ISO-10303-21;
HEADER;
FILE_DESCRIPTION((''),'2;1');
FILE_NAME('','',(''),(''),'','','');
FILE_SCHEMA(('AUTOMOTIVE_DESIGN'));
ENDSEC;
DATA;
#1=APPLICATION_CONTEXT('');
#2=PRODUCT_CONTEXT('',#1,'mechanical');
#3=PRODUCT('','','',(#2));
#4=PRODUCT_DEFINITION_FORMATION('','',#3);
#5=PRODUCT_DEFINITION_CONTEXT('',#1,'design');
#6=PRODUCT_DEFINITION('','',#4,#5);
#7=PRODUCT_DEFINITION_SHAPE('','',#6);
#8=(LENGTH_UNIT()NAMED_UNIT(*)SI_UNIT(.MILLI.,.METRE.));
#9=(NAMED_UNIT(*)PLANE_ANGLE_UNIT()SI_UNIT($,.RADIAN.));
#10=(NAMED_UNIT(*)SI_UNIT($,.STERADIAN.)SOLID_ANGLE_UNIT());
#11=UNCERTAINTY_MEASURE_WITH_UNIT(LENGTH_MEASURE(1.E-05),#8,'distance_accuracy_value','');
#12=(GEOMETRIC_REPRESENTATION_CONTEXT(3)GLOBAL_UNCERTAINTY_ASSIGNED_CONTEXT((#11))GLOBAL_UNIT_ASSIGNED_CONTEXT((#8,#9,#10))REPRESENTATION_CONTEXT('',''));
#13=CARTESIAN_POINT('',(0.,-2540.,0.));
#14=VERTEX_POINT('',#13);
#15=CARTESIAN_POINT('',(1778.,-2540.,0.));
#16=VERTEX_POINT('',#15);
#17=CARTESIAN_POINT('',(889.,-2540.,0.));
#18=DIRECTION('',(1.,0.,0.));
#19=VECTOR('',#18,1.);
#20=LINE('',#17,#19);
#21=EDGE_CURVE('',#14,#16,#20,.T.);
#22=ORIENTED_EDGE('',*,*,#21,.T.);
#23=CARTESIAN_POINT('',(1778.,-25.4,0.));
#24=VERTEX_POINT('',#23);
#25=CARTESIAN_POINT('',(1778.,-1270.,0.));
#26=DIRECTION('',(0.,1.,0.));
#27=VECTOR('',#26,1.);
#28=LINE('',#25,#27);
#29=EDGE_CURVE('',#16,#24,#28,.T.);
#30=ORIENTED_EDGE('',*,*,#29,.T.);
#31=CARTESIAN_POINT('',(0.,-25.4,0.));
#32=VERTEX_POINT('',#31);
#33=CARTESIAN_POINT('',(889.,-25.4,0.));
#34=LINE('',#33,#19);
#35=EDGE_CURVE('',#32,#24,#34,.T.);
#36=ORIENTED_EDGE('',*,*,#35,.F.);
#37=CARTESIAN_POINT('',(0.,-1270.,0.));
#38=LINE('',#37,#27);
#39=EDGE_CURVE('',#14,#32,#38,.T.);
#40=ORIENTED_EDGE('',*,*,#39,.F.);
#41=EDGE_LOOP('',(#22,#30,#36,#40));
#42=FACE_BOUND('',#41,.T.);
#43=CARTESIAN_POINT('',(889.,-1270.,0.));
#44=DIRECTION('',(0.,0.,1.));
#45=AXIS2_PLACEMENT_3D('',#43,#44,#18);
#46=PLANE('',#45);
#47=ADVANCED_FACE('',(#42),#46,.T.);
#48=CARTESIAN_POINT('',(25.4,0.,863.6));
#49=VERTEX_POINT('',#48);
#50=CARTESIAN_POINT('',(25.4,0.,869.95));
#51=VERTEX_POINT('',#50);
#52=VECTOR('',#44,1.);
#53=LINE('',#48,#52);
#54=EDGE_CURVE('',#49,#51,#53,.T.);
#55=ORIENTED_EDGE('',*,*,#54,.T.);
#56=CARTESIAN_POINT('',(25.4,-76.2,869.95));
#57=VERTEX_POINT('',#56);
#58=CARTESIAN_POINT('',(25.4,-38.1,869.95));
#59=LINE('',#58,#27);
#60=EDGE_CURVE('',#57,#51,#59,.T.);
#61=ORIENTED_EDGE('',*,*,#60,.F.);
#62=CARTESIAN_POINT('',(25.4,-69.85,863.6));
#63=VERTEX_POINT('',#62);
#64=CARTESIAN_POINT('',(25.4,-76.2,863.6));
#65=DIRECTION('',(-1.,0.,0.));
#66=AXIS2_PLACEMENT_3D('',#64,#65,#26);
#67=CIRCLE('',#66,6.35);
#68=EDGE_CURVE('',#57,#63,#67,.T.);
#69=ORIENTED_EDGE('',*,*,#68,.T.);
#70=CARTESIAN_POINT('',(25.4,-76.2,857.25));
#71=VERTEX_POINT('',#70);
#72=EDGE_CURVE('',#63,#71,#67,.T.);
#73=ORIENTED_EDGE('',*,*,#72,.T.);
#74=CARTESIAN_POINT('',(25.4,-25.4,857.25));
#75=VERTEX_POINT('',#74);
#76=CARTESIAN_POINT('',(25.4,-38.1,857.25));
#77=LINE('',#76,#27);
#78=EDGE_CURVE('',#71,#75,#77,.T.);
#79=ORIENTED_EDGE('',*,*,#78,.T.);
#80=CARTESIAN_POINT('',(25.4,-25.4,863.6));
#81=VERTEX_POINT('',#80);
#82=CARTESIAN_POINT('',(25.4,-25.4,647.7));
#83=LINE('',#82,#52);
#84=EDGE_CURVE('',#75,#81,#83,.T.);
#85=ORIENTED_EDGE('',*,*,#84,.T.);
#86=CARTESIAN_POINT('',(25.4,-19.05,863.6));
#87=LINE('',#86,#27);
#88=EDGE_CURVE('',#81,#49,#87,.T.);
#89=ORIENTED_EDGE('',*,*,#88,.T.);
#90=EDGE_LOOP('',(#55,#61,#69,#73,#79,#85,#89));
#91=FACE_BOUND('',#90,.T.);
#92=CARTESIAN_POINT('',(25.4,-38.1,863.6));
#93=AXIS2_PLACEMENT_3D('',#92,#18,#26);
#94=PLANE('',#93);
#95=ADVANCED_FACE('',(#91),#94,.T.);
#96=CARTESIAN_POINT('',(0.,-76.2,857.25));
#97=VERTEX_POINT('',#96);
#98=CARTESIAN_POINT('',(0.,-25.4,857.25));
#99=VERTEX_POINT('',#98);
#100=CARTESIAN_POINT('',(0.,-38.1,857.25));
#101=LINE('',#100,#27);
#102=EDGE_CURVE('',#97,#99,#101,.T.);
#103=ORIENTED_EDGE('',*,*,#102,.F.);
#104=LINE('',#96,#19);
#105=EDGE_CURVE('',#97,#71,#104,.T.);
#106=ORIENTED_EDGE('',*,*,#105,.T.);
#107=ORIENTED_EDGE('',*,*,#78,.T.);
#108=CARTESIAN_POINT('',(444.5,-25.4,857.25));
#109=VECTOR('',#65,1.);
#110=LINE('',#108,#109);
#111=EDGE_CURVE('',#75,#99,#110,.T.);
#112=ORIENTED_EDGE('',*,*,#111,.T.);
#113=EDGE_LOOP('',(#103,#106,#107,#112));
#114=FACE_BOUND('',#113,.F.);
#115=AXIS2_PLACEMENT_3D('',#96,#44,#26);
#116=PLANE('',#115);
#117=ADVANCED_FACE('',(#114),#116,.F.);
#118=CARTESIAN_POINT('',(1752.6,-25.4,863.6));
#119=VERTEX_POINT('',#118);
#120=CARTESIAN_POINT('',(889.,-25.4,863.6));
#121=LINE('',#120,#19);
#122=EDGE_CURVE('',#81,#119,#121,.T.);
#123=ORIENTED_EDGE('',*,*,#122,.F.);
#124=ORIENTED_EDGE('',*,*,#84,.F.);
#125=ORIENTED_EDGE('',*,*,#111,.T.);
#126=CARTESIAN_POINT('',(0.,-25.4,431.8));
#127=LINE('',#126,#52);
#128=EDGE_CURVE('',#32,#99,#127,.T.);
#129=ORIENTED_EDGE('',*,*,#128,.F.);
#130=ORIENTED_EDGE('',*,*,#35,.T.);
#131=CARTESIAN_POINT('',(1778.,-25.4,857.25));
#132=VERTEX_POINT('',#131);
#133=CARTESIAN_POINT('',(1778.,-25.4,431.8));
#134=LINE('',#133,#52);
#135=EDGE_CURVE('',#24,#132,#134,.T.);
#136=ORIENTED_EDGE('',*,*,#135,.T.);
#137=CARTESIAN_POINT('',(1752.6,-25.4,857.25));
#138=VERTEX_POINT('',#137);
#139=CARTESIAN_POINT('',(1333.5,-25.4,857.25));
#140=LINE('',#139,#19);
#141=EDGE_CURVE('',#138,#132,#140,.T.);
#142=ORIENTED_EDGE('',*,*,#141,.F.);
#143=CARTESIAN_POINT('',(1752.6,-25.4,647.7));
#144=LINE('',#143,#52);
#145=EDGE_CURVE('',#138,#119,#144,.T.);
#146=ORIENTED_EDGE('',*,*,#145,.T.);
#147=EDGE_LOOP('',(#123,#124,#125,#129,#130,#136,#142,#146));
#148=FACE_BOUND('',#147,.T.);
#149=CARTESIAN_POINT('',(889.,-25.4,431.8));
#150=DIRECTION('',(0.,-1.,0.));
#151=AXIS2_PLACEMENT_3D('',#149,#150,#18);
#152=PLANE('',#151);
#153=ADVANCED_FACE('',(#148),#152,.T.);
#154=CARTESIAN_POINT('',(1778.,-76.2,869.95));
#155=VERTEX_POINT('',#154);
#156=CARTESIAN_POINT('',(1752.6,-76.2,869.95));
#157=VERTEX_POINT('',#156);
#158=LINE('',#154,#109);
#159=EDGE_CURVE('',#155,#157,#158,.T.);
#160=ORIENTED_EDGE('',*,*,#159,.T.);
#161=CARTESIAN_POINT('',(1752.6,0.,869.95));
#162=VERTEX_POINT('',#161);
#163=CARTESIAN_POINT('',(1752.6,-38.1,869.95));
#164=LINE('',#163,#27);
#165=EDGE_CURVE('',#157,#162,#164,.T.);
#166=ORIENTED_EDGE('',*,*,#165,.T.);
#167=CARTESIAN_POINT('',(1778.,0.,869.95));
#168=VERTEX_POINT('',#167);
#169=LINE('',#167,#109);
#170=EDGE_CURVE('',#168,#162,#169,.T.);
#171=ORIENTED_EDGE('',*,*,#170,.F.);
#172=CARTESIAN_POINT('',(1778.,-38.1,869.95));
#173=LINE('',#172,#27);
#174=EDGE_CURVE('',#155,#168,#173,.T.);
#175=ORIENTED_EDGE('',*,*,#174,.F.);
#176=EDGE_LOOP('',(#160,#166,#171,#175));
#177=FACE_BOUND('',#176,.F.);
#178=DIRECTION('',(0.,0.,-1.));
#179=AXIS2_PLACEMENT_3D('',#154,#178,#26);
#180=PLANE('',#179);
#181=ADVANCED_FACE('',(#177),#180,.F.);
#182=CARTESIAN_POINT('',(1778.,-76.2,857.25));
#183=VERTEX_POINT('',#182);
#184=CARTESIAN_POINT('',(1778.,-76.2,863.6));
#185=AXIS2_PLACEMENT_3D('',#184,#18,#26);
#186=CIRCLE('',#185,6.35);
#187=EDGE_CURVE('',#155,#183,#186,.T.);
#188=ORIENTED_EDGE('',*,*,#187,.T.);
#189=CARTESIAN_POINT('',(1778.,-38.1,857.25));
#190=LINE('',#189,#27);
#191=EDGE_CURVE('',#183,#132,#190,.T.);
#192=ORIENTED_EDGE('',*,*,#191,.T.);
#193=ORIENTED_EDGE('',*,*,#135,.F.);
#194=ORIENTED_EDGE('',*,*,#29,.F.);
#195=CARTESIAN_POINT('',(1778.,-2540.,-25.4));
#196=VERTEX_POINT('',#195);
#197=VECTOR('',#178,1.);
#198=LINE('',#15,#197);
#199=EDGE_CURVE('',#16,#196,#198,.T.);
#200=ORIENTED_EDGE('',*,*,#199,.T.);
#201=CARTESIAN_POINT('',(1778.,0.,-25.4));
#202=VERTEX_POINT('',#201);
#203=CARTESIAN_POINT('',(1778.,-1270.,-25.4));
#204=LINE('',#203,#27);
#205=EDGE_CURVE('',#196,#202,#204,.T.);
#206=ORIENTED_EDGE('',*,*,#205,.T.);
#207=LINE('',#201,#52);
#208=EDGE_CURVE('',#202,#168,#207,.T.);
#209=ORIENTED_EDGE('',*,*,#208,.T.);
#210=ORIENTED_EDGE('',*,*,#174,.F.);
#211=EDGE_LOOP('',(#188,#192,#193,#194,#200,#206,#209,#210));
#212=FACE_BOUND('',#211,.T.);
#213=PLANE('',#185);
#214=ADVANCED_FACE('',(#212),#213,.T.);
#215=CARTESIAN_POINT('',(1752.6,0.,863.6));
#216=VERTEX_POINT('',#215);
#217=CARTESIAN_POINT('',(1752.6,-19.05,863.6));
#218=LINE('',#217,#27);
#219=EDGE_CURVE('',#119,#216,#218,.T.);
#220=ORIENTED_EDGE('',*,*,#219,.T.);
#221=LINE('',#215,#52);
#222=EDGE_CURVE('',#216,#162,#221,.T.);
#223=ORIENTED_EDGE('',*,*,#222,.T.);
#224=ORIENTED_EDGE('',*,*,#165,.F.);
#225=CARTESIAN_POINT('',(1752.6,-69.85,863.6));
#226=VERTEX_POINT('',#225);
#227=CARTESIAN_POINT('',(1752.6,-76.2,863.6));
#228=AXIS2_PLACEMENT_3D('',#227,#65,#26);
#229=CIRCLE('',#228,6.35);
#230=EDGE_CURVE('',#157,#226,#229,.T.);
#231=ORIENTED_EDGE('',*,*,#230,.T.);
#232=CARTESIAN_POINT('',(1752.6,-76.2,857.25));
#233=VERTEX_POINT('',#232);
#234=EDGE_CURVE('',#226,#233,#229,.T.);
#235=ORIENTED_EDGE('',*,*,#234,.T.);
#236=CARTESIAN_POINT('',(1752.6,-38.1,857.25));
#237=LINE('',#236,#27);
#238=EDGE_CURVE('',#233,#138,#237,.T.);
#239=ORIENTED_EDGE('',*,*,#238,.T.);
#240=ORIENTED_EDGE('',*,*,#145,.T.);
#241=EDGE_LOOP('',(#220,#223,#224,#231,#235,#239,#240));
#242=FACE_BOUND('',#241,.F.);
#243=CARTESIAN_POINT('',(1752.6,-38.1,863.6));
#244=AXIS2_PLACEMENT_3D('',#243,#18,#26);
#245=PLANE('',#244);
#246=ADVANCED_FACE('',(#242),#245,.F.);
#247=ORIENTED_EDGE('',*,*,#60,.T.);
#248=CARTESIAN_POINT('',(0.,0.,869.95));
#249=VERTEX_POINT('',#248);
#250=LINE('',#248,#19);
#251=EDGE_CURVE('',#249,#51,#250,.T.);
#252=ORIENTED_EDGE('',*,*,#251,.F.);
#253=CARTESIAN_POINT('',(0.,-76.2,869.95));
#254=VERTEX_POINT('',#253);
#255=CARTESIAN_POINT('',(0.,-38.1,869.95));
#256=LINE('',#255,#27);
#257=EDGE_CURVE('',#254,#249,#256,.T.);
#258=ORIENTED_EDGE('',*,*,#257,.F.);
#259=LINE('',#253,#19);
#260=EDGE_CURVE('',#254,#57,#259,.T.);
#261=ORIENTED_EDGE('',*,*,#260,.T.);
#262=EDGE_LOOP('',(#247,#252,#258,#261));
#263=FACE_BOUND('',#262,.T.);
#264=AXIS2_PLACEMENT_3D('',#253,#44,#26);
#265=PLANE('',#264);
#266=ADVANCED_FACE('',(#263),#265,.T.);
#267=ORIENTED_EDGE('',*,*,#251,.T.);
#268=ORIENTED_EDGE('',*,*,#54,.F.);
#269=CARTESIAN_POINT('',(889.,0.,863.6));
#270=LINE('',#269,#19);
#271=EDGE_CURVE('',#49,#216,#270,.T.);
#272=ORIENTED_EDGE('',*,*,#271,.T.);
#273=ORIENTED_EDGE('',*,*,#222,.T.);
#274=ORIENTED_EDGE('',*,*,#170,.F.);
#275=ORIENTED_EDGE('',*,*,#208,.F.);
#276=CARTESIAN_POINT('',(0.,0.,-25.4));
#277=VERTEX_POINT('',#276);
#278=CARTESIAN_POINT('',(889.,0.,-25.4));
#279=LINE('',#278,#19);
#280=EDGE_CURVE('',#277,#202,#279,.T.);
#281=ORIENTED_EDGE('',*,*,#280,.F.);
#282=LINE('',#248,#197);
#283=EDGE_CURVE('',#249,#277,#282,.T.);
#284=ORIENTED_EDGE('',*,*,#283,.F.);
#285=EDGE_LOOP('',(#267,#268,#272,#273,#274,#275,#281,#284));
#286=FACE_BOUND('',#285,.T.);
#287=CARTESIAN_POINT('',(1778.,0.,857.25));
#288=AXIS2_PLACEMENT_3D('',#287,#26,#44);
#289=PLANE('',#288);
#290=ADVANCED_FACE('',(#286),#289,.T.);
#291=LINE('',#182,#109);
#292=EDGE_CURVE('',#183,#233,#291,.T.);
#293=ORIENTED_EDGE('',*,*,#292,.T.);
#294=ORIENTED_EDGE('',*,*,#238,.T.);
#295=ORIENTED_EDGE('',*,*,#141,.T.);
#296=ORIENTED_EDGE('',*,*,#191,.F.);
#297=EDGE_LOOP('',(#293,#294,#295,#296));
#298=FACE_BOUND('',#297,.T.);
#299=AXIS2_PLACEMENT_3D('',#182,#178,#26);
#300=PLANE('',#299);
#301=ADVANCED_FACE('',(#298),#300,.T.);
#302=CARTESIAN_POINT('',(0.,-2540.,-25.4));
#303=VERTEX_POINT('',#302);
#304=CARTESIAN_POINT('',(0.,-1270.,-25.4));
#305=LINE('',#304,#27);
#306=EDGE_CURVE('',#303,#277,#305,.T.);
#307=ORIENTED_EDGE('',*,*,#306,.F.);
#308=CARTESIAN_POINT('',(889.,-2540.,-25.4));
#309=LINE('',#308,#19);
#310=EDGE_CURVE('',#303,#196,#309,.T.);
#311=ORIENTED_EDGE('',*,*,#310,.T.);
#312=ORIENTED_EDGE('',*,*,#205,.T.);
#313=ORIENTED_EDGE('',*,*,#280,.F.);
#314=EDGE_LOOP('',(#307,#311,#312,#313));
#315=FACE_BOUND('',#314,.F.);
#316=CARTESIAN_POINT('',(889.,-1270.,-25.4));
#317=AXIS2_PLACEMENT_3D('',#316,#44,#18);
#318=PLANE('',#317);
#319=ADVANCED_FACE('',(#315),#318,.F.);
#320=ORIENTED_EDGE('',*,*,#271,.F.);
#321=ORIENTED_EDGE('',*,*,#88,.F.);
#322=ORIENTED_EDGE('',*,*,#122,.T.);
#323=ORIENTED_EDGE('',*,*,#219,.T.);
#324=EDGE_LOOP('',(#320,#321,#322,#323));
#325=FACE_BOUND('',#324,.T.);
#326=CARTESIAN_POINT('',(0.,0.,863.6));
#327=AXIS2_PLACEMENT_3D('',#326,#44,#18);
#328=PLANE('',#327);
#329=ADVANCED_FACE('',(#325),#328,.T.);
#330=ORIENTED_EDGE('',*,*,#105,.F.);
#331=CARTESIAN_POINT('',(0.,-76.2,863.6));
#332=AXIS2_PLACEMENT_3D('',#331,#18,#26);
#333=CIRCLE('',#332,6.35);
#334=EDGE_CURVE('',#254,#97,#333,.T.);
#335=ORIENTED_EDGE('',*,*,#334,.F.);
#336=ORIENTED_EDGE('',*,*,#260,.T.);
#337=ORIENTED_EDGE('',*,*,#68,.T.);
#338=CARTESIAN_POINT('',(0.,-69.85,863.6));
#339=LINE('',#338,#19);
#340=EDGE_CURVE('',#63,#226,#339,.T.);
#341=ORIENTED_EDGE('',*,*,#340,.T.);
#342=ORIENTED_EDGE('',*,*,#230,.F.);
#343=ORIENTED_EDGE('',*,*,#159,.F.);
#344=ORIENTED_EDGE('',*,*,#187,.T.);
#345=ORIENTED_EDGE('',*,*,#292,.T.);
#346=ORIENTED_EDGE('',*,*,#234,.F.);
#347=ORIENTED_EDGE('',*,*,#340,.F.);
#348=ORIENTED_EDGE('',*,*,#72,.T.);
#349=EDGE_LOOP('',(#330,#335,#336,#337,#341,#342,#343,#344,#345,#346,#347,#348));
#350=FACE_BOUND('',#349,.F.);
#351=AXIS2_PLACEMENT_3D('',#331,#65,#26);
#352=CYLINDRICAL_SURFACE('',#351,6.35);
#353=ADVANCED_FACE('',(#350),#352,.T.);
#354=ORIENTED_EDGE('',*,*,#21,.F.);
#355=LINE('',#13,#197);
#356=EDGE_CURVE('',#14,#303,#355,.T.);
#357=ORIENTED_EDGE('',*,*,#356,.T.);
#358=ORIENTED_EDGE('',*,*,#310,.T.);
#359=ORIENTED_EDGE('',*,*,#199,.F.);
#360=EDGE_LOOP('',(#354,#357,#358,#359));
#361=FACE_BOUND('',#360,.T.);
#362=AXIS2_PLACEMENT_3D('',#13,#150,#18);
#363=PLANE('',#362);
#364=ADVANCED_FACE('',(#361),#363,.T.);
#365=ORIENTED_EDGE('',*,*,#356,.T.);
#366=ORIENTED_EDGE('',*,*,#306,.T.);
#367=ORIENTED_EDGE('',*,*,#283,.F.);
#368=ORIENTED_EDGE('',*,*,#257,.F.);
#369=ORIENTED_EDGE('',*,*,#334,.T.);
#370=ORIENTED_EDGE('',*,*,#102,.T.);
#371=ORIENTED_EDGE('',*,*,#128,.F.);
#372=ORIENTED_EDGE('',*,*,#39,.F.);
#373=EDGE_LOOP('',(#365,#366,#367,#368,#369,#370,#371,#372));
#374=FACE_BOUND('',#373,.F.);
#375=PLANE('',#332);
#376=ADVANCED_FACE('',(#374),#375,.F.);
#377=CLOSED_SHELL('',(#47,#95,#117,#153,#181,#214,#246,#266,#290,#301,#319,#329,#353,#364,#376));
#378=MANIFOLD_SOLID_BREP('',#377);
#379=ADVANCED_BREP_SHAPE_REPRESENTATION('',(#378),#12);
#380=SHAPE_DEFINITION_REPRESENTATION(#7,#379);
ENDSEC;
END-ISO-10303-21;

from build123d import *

# Parameters (mm, degrees)
F0_W      = 1778
F0_H      = 2540
F1_DEPTH  = 25.4
F2_W      = 1778
F2_H      = 863.6
F3_DEPTH  = 25.4
F4_R      = 6.35
F5_DEPTH  = 1778
F6_W      = 76.2
F6_H      = 12.7
F7_DEPTH  = 25.4
F9_W      = 76.2
F9_H      = 12.7
F10_DEPTH = 25.4


with BuildPart() as f1:
    # F0 (on Top) → F1 (new body)
    with BuildSketch(Plane.XY):
        with Locations((889, -1270)):
            Rectangle(F0_W, F0_H)
    extrude(amount=-F1_DEPTH)

    # F2 (on Front) → F3 (join)
    with BuildSketch(Plane.XZ):
        with Locations((889, 431.8)):
            Rectangle(F2_W, F2_H)
    extrude(amount=F3_DEPTH)



with BuildPart() as f5:
    # F4 (on Right) → F5 (new body, through all)
    with BuildSketch(Plane.YZ):
        with Locations((-76.2, 863.6)):
            Circle(F4_R)
    extrude(amount=F5_DEPTH)


with BuildPart() as f1_1:
    add(f1.part)

    add(f5.part)  # F7 merges F5
    # F6 (on Right) → F7 (join)
    with BuildSketch(Plane.YZ):
        with Locations((-38.1, 863.6)):
            Rectangle(F6_W, F6_H)
    extrude(amount=F7_DEPTH)

    # F9 (on offset) → F10 (join)
    with BuildSketch(Plane.YZ.offset(1778)):
        with Locations((-38.1, 863.6)):
            Rectangle(F9_W, F9_H)
    extrude(amount=-F10_DEPTH)


solid = f1_1.part
